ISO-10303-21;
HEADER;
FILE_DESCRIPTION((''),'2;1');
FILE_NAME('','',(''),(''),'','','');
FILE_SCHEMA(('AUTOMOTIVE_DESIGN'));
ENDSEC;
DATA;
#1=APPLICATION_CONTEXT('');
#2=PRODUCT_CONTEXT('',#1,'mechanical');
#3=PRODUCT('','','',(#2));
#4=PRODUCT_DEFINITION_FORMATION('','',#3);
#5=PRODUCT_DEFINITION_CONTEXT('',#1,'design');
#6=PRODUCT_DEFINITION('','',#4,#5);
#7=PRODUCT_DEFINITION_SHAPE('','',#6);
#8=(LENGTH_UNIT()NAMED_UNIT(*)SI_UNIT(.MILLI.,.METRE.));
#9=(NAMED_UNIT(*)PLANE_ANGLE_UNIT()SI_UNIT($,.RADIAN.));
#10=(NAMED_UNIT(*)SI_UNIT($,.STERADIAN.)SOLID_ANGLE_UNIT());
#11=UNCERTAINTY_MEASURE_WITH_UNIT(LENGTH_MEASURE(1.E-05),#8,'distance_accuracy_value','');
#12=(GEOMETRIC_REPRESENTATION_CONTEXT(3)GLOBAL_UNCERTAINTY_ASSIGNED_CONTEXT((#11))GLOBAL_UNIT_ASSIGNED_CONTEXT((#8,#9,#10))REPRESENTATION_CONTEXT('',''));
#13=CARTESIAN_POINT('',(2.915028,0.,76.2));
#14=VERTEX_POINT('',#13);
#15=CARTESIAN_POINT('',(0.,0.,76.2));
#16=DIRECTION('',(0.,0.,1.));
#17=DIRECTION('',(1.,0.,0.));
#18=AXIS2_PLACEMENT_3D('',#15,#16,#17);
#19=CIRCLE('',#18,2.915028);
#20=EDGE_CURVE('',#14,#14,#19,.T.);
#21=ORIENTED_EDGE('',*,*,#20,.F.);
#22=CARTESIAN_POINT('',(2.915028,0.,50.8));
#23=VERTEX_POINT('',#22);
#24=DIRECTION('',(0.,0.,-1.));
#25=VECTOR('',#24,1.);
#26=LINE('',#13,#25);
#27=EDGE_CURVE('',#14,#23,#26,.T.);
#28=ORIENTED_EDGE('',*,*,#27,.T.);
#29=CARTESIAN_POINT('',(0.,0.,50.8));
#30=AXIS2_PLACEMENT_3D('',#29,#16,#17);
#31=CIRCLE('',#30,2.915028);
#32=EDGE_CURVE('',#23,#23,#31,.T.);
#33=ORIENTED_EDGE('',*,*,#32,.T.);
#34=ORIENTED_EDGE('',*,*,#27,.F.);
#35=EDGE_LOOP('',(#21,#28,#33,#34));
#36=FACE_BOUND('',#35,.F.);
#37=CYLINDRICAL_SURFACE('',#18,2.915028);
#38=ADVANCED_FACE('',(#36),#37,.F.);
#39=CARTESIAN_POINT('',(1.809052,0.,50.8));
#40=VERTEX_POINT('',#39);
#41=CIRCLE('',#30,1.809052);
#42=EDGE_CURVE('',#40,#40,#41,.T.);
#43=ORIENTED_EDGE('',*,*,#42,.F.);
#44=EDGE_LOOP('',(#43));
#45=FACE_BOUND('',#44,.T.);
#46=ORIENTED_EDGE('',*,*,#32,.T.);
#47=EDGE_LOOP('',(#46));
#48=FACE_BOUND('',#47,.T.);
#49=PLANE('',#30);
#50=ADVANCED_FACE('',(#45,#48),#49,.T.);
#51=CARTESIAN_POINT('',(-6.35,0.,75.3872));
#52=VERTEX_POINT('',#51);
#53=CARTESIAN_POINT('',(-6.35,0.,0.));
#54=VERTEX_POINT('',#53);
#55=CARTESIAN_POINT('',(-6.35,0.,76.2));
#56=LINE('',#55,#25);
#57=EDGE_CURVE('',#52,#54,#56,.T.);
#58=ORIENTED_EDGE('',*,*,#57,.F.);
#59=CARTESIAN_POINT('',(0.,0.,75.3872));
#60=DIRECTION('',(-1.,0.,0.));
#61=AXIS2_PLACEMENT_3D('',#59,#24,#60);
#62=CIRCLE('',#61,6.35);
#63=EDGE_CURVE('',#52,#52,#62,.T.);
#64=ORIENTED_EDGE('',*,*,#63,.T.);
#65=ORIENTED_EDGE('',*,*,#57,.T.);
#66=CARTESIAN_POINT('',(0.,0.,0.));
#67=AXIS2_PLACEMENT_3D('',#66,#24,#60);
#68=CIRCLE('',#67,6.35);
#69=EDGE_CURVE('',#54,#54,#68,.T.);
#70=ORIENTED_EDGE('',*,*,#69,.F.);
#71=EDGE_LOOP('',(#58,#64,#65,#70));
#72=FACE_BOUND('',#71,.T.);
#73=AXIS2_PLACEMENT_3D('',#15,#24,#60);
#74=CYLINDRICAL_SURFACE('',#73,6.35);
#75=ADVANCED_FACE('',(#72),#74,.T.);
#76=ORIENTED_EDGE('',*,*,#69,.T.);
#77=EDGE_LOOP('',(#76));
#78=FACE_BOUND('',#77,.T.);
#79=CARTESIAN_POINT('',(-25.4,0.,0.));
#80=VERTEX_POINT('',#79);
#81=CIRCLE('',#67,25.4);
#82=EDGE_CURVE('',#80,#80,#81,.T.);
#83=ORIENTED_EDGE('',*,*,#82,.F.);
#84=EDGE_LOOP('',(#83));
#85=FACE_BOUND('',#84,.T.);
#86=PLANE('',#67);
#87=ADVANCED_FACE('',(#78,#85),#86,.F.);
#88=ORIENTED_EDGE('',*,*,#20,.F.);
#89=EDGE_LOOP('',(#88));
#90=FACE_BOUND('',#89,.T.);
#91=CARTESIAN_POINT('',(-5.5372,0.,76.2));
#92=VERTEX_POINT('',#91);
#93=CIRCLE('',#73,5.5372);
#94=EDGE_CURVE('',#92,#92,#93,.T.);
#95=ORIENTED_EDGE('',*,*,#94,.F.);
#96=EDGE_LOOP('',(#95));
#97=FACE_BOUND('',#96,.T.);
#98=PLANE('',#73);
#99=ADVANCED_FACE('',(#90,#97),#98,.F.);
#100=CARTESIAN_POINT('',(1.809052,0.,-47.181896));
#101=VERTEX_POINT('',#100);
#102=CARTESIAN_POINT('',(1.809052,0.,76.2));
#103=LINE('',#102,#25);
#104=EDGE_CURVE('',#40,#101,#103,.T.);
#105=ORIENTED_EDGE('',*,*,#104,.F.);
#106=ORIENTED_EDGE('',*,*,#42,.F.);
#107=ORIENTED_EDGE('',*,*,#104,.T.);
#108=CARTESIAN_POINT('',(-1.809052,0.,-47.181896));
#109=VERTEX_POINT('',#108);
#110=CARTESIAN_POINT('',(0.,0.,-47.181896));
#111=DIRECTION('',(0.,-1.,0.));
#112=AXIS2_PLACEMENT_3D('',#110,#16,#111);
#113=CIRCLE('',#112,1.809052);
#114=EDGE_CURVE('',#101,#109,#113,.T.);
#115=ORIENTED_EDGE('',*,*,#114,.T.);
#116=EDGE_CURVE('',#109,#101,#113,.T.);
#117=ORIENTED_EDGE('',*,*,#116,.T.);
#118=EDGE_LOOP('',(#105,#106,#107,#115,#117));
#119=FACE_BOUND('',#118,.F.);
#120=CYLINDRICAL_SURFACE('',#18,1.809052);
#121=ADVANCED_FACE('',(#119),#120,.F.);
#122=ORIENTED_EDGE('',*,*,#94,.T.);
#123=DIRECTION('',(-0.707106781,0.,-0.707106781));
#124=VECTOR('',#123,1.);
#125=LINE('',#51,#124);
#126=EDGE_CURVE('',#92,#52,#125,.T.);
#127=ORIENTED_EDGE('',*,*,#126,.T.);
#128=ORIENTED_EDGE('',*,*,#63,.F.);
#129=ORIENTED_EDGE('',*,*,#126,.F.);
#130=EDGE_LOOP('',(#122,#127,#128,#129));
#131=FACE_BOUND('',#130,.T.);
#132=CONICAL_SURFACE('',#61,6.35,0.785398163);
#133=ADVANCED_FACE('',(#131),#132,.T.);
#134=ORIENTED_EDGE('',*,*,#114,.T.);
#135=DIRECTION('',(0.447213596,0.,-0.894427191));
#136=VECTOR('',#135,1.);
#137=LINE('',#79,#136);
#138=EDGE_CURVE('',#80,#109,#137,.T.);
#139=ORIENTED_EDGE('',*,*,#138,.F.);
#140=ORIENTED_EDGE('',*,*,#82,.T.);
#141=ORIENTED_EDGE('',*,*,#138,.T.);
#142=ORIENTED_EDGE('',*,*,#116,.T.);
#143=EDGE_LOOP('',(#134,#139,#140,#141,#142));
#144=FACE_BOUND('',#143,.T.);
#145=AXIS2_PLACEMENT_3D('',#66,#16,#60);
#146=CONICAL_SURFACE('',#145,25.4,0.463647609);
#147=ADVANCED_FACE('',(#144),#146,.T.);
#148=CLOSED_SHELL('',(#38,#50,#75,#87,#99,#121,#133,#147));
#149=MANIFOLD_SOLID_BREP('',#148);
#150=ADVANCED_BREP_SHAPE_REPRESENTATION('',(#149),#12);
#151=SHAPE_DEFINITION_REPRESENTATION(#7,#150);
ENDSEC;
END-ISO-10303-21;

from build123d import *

# Parameters (mm, degrees)
F2_R     = 2.915028
F3_DEPTH = 25.4
F4_SIZE  = 0.8128
F5_R     = 1.809052
F6_DEPTH = 127.001


with BuildPart() as f1:
    # F0 (on Front) → F1 (revolve)
    with BuildSketch(Plane.XZ):
        Polygon((0, -50.8), (0, 0), (0, 76.2), (-6.35, 76.2), (-6.35, 0), (-25.4, 0), align=None)
    revolve(axis=Axis((0, 0, 38.1), (0, 0, -1)))

    # F2 (on face) → F3 (cut)
    with BuildSketch(Plane.XY.offset(76.2)):
        Circle(F2_R)
    extrude(amount=-F3_DEPTH, mode=Mode.SUBTRACT)

    # F4
    f4_edges = [f1.edges().sort_by_distance(p)[0] for p in [
        (6.35, 0, 76.2),
    ]]
    chamfer(f4_edges, length=F4_SIZE)

    # F5 (on face) → F6 (cut, through all)
    with BuildSketch(Plane.XY.offset(76.2)):
        Circle(F5_R)
    extrude(amount=-F6_DEPTH, mode=Mode.SUBTRACT)


solid = f1.part
